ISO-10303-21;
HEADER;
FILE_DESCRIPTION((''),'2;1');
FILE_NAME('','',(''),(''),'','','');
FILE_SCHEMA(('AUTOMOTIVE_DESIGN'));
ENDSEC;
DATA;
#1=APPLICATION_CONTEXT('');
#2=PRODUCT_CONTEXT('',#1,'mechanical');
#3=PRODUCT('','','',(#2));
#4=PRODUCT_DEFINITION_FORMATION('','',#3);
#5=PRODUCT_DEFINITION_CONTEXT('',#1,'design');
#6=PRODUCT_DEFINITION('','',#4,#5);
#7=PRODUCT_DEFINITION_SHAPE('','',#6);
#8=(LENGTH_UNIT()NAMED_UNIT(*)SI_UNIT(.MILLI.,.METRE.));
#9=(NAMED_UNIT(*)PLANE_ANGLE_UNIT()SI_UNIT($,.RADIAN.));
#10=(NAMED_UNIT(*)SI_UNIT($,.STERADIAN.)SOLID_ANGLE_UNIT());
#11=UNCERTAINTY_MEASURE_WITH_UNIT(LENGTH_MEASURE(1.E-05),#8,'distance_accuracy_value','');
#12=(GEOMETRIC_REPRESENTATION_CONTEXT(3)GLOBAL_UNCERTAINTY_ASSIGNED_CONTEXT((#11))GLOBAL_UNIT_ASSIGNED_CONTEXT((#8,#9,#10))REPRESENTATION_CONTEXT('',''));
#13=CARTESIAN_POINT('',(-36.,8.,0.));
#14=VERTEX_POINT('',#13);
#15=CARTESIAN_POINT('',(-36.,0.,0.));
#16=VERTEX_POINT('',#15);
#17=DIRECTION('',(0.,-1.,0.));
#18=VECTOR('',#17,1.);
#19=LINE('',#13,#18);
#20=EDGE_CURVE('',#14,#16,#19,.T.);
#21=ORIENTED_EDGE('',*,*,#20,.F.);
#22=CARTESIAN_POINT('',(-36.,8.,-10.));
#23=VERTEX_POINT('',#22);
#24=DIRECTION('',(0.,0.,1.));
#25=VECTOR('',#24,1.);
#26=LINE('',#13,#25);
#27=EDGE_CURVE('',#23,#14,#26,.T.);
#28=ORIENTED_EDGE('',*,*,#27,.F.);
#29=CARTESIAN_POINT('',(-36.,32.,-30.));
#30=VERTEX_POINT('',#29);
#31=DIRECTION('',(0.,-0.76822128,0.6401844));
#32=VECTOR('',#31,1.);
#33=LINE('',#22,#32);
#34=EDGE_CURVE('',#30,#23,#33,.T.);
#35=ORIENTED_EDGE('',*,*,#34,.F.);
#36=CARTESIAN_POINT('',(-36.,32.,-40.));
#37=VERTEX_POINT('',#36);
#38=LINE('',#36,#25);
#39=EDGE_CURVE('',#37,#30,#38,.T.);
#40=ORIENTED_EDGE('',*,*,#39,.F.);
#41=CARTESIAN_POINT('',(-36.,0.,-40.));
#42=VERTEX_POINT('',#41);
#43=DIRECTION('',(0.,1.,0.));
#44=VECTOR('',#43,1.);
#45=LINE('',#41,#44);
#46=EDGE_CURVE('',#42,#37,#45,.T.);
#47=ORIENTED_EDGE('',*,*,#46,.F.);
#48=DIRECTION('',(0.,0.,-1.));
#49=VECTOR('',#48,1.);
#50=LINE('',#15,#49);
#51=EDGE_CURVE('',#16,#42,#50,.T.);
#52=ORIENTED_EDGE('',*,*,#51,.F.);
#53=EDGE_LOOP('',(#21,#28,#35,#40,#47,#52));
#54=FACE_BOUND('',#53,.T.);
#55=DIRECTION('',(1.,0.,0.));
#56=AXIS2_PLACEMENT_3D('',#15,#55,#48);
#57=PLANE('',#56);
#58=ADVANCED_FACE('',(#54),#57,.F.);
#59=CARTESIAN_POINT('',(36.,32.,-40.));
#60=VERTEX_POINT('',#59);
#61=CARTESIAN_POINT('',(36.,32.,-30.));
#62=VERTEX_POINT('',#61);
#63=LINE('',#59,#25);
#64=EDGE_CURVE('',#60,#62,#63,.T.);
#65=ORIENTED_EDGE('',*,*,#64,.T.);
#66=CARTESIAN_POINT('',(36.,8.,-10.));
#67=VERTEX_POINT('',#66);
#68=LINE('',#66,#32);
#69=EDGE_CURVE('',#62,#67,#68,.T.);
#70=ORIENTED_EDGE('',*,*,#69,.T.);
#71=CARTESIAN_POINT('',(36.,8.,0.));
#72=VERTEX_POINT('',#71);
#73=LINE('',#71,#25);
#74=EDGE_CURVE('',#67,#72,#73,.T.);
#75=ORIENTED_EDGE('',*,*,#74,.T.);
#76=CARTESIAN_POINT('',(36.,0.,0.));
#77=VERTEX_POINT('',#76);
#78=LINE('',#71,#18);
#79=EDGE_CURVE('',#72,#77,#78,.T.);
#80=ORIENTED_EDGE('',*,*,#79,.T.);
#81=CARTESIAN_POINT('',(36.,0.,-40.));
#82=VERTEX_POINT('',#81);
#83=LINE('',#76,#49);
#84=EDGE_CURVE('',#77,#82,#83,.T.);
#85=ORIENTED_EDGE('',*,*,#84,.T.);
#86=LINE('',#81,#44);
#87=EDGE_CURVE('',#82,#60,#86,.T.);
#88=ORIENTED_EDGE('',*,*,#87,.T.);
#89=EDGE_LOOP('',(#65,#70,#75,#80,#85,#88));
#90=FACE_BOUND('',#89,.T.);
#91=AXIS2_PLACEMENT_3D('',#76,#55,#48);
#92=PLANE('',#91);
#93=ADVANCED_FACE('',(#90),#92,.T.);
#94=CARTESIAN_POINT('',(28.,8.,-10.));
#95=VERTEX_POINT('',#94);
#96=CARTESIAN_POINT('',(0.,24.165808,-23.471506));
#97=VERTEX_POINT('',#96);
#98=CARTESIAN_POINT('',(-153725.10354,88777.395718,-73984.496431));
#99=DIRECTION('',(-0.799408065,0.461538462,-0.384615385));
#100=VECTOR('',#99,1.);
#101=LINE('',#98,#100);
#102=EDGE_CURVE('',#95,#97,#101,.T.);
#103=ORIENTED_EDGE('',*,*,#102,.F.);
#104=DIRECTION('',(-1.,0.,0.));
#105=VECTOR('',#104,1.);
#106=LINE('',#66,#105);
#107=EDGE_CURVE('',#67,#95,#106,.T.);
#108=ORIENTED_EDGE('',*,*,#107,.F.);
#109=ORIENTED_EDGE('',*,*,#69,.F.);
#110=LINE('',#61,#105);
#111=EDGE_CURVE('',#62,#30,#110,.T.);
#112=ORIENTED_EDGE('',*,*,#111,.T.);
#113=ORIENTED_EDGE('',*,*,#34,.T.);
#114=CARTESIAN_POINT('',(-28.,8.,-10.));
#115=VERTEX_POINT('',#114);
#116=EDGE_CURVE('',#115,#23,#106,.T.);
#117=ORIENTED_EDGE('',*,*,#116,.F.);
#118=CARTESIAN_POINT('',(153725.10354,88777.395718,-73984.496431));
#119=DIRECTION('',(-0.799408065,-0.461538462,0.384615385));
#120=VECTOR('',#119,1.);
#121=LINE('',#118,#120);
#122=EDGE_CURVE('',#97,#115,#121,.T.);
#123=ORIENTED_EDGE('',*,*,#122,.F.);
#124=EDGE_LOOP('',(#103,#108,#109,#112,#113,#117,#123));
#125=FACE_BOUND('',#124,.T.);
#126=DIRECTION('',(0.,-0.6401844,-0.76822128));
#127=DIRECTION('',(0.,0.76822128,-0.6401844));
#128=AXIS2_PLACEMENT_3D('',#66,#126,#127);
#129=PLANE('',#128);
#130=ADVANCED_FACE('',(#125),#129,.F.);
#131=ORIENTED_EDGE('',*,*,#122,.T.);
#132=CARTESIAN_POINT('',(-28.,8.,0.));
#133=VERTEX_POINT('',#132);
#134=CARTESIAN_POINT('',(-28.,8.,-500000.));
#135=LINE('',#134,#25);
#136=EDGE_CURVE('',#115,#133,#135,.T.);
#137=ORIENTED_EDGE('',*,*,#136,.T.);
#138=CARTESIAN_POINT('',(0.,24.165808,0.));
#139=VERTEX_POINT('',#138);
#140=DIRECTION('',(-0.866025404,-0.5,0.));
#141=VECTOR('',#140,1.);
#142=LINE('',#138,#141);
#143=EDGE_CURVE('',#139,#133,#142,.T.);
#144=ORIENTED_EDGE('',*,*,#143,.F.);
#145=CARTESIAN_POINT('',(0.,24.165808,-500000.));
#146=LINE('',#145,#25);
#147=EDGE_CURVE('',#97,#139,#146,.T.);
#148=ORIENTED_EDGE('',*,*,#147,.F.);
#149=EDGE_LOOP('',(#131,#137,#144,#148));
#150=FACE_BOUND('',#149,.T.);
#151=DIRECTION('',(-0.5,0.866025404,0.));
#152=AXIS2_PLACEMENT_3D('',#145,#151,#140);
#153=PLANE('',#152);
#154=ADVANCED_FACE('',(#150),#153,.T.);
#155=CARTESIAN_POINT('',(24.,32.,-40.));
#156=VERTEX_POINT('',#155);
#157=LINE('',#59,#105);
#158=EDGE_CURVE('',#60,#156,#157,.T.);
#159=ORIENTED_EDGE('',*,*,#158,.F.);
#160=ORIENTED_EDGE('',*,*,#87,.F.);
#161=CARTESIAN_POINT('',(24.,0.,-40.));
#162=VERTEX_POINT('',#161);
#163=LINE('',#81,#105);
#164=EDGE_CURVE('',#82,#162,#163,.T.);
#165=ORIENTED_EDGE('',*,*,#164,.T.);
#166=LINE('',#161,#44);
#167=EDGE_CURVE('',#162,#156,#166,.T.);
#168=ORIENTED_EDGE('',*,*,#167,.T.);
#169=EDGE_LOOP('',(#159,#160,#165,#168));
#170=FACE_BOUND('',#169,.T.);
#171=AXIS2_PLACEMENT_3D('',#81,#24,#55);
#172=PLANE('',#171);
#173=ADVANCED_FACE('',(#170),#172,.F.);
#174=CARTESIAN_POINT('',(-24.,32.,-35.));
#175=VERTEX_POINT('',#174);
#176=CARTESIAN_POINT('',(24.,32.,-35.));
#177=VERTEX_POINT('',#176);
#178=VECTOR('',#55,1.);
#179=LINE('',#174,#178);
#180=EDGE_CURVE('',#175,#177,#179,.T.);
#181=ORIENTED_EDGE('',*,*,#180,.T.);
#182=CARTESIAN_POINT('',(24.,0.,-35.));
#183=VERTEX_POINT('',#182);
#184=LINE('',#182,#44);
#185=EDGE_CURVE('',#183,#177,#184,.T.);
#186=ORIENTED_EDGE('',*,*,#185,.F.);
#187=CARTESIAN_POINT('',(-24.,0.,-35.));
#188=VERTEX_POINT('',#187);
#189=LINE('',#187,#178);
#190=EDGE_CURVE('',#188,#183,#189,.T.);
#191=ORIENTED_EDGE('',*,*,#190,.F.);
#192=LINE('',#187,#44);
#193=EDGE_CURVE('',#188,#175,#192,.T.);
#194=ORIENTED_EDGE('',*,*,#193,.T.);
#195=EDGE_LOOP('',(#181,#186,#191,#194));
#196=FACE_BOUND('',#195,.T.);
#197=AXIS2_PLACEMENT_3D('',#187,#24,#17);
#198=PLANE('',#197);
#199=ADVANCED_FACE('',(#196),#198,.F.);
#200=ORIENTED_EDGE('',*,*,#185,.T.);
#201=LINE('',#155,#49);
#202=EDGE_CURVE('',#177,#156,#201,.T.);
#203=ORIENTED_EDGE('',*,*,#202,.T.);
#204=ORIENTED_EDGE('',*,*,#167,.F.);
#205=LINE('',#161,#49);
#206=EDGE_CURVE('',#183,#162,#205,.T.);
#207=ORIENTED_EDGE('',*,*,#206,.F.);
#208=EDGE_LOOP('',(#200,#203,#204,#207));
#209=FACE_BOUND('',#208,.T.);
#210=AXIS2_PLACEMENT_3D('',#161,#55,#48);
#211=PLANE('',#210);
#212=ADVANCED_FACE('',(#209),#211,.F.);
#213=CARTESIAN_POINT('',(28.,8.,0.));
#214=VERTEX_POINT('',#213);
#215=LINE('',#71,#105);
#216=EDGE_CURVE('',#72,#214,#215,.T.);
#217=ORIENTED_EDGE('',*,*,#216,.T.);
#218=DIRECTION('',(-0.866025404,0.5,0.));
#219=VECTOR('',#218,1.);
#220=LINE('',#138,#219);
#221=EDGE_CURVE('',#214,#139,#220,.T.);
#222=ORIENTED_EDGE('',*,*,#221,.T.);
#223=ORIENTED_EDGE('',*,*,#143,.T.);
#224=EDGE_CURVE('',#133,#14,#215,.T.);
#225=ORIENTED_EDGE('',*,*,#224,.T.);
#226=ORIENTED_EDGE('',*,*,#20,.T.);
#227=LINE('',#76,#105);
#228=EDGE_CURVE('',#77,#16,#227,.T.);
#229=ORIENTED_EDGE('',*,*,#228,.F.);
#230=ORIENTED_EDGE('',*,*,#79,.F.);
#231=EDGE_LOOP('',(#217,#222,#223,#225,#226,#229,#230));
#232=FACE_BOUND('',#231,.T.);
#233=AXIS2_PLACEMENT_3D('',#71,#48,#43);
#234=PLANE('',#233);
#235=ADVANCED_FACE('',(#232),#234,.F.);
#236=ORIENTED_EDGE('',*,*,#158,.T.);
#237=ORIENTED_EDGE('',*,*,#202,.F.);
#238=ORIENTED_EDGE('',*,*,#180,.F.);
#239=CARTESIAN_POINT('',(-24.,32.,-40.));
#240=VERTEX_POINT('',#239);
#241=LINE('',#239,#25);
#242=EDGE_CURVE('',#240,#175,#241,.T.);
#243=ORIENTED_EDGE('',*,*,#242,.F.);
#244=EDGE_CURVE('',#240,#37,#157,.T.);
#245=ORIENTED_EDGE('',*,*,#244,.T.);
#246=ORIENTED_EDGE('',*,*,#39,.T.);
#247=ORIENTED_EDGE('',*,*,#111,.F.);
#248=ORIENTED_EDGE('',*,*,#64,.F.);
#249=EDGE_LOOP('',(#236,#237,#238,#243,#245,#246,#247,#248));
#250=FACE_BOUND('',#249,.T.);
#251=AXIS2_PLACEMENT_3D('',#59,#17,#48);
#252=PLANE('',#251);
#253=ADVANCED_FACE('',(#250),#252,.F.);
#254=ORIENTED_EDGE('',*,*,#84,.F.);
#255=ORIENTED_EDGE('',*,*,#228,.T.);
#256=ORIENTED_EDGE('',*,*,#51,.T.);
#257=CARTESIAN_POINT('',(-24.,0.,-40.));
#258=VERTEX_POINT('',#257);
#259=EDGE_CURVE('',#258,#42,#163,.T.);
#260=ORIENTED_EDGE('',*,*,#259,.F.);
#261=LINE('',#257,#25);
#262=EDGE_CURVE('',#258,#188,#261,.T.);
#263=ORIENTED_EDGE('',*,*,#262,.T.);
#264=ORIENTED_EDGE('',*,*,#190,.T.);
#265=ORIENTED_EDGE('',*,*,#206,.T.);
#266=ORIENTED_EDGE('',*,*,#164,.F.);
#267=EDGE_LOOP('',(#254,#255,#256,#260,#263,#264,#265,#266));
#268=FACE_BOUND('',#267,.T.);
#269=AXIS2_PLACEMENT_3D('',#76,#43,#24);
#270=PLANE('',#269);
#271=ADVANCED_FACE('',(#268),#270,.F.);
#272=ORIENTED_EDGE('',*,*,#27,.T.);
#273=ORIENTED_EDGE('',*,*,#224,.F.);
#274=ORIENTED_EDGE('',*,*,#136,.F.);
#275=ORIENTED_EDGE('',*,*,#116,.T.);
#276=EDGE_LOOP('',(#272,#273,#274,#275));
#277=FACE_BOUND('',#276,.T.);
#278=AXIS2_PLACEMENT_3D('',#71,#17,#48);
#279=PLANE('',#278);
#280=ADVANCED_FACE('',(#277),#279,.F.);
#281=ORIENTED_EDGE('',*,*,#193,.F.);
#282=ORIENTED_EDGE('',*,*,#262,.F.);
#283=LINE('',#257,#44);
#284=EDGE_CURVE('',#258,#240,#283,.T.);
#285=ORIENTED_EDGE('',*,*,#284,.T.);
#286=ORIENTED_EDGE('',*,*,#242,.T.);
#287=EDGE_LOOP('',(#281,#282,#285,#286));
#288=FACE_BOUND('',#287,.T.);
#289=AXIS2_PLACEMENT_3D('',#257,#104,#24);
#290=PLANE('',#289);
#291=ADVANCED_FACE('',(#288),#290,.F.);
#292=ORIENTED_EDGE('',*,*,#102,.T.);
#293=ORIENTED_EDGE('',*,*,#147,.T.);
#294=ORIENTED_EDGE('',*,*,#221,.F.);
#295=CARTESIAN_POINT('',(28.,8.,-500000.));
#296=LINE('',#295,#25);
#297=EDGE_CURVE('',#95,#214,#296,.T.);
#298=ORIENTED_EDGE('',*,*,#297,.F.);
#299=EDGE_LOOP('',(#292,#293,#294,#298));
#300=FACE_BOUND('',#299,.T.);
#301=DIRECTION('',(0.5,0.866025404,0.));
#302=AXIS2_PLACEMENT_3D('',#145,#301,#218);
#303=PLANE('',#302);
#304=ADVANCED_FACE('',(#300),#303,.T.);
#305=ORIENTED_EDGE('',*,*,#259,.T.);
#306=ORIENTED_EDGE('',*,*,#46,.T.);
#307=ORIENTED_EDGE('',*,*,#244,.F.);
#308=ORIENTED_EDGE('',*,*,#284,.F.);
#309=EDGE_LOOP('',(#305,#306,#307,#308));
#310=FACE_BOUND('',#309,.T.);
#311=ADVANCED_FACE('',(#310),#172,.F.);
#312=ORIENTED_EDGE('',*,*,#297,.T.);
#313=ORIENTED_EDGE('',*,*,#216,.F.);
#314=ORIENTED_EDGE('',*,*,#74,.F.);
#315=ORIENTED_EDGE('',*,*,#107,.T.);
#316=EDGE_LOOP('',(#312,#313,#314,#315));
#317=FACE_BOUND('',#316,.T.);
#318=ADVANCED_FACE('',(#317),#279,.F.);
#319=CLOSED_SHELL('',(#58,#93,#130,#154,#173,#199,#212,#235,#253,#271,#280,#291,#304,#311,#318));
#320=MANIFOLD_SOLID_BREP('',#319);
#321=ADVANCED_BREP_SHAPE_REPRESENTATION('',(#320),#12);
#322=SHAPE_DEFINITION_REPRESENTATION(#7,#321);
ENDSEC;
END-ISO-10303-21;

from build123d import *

# Parameters (mm, degrees)
EXTRUDE_1_DEPTH     = 36
EXTRUDE_2_REACH     = 64.61
SKETCH_3_W          = 48
SKETCH_3_H          = 5
CUT_EXTRUDE_3_DEPTH = 63.60990337


with BuildPart() as part:
    # 草圖1 → 伸長1 (new, symmetric)
    with BuildSketch(Plane(origin=(0, 0, 0), x_dir=(0, 0, -1), z_dir=(1, 0, 0))):
        Polygon((0, 0), (40, 0), (40, 32), (30, 32), (10, 8), (0, 8), align=None)
    extrude(amount=EXTRUDE_1_DEPTH, both=True)

    # 伸長2: up to this plane
    extrude_2_end = Plane(origin=(36, 8, -10), z_dir=(0, -0.6401843996644799, -0.7682212795973757))
    # 草圖2 → 伸長2 (add, up to the surface)
    with BuildSketch(Plane.XY, mode=Mode.PRIVATE) as extrude_2_sk1:
        Polygon((28, 8), (-28, 8), (0, 24.165807537), align=None)
    extrude_2_tool1 = split(extrude(extrude_2_sk1.sketch, amount=-EXTRUDE_2_REACH, mode=Mode.PRIVATE), bisect_by=extrude_2_end, keep=Keep.BOTH, mode=Mode.PRIVATE)
    add(extrude_2_tool1.solids().sort_by_distance((0, 13.388603, 0))[0])

    # 草圖3 → 伸長3 (cut, through all)
    with BuildSketch(Plane(origin=(0, 32, 0), x_dir=(1, 0, 0), z_dir=(0, 1, 0))):
        with Locations((0, 37.5)):
            Rectangle(SKETCH_3_W, SKETCH_3_H)
    extrude(amount=-CUT_EXTRUDE_3_DEPTH, mode=Mode.SUBTRACT)


solid = part.part
